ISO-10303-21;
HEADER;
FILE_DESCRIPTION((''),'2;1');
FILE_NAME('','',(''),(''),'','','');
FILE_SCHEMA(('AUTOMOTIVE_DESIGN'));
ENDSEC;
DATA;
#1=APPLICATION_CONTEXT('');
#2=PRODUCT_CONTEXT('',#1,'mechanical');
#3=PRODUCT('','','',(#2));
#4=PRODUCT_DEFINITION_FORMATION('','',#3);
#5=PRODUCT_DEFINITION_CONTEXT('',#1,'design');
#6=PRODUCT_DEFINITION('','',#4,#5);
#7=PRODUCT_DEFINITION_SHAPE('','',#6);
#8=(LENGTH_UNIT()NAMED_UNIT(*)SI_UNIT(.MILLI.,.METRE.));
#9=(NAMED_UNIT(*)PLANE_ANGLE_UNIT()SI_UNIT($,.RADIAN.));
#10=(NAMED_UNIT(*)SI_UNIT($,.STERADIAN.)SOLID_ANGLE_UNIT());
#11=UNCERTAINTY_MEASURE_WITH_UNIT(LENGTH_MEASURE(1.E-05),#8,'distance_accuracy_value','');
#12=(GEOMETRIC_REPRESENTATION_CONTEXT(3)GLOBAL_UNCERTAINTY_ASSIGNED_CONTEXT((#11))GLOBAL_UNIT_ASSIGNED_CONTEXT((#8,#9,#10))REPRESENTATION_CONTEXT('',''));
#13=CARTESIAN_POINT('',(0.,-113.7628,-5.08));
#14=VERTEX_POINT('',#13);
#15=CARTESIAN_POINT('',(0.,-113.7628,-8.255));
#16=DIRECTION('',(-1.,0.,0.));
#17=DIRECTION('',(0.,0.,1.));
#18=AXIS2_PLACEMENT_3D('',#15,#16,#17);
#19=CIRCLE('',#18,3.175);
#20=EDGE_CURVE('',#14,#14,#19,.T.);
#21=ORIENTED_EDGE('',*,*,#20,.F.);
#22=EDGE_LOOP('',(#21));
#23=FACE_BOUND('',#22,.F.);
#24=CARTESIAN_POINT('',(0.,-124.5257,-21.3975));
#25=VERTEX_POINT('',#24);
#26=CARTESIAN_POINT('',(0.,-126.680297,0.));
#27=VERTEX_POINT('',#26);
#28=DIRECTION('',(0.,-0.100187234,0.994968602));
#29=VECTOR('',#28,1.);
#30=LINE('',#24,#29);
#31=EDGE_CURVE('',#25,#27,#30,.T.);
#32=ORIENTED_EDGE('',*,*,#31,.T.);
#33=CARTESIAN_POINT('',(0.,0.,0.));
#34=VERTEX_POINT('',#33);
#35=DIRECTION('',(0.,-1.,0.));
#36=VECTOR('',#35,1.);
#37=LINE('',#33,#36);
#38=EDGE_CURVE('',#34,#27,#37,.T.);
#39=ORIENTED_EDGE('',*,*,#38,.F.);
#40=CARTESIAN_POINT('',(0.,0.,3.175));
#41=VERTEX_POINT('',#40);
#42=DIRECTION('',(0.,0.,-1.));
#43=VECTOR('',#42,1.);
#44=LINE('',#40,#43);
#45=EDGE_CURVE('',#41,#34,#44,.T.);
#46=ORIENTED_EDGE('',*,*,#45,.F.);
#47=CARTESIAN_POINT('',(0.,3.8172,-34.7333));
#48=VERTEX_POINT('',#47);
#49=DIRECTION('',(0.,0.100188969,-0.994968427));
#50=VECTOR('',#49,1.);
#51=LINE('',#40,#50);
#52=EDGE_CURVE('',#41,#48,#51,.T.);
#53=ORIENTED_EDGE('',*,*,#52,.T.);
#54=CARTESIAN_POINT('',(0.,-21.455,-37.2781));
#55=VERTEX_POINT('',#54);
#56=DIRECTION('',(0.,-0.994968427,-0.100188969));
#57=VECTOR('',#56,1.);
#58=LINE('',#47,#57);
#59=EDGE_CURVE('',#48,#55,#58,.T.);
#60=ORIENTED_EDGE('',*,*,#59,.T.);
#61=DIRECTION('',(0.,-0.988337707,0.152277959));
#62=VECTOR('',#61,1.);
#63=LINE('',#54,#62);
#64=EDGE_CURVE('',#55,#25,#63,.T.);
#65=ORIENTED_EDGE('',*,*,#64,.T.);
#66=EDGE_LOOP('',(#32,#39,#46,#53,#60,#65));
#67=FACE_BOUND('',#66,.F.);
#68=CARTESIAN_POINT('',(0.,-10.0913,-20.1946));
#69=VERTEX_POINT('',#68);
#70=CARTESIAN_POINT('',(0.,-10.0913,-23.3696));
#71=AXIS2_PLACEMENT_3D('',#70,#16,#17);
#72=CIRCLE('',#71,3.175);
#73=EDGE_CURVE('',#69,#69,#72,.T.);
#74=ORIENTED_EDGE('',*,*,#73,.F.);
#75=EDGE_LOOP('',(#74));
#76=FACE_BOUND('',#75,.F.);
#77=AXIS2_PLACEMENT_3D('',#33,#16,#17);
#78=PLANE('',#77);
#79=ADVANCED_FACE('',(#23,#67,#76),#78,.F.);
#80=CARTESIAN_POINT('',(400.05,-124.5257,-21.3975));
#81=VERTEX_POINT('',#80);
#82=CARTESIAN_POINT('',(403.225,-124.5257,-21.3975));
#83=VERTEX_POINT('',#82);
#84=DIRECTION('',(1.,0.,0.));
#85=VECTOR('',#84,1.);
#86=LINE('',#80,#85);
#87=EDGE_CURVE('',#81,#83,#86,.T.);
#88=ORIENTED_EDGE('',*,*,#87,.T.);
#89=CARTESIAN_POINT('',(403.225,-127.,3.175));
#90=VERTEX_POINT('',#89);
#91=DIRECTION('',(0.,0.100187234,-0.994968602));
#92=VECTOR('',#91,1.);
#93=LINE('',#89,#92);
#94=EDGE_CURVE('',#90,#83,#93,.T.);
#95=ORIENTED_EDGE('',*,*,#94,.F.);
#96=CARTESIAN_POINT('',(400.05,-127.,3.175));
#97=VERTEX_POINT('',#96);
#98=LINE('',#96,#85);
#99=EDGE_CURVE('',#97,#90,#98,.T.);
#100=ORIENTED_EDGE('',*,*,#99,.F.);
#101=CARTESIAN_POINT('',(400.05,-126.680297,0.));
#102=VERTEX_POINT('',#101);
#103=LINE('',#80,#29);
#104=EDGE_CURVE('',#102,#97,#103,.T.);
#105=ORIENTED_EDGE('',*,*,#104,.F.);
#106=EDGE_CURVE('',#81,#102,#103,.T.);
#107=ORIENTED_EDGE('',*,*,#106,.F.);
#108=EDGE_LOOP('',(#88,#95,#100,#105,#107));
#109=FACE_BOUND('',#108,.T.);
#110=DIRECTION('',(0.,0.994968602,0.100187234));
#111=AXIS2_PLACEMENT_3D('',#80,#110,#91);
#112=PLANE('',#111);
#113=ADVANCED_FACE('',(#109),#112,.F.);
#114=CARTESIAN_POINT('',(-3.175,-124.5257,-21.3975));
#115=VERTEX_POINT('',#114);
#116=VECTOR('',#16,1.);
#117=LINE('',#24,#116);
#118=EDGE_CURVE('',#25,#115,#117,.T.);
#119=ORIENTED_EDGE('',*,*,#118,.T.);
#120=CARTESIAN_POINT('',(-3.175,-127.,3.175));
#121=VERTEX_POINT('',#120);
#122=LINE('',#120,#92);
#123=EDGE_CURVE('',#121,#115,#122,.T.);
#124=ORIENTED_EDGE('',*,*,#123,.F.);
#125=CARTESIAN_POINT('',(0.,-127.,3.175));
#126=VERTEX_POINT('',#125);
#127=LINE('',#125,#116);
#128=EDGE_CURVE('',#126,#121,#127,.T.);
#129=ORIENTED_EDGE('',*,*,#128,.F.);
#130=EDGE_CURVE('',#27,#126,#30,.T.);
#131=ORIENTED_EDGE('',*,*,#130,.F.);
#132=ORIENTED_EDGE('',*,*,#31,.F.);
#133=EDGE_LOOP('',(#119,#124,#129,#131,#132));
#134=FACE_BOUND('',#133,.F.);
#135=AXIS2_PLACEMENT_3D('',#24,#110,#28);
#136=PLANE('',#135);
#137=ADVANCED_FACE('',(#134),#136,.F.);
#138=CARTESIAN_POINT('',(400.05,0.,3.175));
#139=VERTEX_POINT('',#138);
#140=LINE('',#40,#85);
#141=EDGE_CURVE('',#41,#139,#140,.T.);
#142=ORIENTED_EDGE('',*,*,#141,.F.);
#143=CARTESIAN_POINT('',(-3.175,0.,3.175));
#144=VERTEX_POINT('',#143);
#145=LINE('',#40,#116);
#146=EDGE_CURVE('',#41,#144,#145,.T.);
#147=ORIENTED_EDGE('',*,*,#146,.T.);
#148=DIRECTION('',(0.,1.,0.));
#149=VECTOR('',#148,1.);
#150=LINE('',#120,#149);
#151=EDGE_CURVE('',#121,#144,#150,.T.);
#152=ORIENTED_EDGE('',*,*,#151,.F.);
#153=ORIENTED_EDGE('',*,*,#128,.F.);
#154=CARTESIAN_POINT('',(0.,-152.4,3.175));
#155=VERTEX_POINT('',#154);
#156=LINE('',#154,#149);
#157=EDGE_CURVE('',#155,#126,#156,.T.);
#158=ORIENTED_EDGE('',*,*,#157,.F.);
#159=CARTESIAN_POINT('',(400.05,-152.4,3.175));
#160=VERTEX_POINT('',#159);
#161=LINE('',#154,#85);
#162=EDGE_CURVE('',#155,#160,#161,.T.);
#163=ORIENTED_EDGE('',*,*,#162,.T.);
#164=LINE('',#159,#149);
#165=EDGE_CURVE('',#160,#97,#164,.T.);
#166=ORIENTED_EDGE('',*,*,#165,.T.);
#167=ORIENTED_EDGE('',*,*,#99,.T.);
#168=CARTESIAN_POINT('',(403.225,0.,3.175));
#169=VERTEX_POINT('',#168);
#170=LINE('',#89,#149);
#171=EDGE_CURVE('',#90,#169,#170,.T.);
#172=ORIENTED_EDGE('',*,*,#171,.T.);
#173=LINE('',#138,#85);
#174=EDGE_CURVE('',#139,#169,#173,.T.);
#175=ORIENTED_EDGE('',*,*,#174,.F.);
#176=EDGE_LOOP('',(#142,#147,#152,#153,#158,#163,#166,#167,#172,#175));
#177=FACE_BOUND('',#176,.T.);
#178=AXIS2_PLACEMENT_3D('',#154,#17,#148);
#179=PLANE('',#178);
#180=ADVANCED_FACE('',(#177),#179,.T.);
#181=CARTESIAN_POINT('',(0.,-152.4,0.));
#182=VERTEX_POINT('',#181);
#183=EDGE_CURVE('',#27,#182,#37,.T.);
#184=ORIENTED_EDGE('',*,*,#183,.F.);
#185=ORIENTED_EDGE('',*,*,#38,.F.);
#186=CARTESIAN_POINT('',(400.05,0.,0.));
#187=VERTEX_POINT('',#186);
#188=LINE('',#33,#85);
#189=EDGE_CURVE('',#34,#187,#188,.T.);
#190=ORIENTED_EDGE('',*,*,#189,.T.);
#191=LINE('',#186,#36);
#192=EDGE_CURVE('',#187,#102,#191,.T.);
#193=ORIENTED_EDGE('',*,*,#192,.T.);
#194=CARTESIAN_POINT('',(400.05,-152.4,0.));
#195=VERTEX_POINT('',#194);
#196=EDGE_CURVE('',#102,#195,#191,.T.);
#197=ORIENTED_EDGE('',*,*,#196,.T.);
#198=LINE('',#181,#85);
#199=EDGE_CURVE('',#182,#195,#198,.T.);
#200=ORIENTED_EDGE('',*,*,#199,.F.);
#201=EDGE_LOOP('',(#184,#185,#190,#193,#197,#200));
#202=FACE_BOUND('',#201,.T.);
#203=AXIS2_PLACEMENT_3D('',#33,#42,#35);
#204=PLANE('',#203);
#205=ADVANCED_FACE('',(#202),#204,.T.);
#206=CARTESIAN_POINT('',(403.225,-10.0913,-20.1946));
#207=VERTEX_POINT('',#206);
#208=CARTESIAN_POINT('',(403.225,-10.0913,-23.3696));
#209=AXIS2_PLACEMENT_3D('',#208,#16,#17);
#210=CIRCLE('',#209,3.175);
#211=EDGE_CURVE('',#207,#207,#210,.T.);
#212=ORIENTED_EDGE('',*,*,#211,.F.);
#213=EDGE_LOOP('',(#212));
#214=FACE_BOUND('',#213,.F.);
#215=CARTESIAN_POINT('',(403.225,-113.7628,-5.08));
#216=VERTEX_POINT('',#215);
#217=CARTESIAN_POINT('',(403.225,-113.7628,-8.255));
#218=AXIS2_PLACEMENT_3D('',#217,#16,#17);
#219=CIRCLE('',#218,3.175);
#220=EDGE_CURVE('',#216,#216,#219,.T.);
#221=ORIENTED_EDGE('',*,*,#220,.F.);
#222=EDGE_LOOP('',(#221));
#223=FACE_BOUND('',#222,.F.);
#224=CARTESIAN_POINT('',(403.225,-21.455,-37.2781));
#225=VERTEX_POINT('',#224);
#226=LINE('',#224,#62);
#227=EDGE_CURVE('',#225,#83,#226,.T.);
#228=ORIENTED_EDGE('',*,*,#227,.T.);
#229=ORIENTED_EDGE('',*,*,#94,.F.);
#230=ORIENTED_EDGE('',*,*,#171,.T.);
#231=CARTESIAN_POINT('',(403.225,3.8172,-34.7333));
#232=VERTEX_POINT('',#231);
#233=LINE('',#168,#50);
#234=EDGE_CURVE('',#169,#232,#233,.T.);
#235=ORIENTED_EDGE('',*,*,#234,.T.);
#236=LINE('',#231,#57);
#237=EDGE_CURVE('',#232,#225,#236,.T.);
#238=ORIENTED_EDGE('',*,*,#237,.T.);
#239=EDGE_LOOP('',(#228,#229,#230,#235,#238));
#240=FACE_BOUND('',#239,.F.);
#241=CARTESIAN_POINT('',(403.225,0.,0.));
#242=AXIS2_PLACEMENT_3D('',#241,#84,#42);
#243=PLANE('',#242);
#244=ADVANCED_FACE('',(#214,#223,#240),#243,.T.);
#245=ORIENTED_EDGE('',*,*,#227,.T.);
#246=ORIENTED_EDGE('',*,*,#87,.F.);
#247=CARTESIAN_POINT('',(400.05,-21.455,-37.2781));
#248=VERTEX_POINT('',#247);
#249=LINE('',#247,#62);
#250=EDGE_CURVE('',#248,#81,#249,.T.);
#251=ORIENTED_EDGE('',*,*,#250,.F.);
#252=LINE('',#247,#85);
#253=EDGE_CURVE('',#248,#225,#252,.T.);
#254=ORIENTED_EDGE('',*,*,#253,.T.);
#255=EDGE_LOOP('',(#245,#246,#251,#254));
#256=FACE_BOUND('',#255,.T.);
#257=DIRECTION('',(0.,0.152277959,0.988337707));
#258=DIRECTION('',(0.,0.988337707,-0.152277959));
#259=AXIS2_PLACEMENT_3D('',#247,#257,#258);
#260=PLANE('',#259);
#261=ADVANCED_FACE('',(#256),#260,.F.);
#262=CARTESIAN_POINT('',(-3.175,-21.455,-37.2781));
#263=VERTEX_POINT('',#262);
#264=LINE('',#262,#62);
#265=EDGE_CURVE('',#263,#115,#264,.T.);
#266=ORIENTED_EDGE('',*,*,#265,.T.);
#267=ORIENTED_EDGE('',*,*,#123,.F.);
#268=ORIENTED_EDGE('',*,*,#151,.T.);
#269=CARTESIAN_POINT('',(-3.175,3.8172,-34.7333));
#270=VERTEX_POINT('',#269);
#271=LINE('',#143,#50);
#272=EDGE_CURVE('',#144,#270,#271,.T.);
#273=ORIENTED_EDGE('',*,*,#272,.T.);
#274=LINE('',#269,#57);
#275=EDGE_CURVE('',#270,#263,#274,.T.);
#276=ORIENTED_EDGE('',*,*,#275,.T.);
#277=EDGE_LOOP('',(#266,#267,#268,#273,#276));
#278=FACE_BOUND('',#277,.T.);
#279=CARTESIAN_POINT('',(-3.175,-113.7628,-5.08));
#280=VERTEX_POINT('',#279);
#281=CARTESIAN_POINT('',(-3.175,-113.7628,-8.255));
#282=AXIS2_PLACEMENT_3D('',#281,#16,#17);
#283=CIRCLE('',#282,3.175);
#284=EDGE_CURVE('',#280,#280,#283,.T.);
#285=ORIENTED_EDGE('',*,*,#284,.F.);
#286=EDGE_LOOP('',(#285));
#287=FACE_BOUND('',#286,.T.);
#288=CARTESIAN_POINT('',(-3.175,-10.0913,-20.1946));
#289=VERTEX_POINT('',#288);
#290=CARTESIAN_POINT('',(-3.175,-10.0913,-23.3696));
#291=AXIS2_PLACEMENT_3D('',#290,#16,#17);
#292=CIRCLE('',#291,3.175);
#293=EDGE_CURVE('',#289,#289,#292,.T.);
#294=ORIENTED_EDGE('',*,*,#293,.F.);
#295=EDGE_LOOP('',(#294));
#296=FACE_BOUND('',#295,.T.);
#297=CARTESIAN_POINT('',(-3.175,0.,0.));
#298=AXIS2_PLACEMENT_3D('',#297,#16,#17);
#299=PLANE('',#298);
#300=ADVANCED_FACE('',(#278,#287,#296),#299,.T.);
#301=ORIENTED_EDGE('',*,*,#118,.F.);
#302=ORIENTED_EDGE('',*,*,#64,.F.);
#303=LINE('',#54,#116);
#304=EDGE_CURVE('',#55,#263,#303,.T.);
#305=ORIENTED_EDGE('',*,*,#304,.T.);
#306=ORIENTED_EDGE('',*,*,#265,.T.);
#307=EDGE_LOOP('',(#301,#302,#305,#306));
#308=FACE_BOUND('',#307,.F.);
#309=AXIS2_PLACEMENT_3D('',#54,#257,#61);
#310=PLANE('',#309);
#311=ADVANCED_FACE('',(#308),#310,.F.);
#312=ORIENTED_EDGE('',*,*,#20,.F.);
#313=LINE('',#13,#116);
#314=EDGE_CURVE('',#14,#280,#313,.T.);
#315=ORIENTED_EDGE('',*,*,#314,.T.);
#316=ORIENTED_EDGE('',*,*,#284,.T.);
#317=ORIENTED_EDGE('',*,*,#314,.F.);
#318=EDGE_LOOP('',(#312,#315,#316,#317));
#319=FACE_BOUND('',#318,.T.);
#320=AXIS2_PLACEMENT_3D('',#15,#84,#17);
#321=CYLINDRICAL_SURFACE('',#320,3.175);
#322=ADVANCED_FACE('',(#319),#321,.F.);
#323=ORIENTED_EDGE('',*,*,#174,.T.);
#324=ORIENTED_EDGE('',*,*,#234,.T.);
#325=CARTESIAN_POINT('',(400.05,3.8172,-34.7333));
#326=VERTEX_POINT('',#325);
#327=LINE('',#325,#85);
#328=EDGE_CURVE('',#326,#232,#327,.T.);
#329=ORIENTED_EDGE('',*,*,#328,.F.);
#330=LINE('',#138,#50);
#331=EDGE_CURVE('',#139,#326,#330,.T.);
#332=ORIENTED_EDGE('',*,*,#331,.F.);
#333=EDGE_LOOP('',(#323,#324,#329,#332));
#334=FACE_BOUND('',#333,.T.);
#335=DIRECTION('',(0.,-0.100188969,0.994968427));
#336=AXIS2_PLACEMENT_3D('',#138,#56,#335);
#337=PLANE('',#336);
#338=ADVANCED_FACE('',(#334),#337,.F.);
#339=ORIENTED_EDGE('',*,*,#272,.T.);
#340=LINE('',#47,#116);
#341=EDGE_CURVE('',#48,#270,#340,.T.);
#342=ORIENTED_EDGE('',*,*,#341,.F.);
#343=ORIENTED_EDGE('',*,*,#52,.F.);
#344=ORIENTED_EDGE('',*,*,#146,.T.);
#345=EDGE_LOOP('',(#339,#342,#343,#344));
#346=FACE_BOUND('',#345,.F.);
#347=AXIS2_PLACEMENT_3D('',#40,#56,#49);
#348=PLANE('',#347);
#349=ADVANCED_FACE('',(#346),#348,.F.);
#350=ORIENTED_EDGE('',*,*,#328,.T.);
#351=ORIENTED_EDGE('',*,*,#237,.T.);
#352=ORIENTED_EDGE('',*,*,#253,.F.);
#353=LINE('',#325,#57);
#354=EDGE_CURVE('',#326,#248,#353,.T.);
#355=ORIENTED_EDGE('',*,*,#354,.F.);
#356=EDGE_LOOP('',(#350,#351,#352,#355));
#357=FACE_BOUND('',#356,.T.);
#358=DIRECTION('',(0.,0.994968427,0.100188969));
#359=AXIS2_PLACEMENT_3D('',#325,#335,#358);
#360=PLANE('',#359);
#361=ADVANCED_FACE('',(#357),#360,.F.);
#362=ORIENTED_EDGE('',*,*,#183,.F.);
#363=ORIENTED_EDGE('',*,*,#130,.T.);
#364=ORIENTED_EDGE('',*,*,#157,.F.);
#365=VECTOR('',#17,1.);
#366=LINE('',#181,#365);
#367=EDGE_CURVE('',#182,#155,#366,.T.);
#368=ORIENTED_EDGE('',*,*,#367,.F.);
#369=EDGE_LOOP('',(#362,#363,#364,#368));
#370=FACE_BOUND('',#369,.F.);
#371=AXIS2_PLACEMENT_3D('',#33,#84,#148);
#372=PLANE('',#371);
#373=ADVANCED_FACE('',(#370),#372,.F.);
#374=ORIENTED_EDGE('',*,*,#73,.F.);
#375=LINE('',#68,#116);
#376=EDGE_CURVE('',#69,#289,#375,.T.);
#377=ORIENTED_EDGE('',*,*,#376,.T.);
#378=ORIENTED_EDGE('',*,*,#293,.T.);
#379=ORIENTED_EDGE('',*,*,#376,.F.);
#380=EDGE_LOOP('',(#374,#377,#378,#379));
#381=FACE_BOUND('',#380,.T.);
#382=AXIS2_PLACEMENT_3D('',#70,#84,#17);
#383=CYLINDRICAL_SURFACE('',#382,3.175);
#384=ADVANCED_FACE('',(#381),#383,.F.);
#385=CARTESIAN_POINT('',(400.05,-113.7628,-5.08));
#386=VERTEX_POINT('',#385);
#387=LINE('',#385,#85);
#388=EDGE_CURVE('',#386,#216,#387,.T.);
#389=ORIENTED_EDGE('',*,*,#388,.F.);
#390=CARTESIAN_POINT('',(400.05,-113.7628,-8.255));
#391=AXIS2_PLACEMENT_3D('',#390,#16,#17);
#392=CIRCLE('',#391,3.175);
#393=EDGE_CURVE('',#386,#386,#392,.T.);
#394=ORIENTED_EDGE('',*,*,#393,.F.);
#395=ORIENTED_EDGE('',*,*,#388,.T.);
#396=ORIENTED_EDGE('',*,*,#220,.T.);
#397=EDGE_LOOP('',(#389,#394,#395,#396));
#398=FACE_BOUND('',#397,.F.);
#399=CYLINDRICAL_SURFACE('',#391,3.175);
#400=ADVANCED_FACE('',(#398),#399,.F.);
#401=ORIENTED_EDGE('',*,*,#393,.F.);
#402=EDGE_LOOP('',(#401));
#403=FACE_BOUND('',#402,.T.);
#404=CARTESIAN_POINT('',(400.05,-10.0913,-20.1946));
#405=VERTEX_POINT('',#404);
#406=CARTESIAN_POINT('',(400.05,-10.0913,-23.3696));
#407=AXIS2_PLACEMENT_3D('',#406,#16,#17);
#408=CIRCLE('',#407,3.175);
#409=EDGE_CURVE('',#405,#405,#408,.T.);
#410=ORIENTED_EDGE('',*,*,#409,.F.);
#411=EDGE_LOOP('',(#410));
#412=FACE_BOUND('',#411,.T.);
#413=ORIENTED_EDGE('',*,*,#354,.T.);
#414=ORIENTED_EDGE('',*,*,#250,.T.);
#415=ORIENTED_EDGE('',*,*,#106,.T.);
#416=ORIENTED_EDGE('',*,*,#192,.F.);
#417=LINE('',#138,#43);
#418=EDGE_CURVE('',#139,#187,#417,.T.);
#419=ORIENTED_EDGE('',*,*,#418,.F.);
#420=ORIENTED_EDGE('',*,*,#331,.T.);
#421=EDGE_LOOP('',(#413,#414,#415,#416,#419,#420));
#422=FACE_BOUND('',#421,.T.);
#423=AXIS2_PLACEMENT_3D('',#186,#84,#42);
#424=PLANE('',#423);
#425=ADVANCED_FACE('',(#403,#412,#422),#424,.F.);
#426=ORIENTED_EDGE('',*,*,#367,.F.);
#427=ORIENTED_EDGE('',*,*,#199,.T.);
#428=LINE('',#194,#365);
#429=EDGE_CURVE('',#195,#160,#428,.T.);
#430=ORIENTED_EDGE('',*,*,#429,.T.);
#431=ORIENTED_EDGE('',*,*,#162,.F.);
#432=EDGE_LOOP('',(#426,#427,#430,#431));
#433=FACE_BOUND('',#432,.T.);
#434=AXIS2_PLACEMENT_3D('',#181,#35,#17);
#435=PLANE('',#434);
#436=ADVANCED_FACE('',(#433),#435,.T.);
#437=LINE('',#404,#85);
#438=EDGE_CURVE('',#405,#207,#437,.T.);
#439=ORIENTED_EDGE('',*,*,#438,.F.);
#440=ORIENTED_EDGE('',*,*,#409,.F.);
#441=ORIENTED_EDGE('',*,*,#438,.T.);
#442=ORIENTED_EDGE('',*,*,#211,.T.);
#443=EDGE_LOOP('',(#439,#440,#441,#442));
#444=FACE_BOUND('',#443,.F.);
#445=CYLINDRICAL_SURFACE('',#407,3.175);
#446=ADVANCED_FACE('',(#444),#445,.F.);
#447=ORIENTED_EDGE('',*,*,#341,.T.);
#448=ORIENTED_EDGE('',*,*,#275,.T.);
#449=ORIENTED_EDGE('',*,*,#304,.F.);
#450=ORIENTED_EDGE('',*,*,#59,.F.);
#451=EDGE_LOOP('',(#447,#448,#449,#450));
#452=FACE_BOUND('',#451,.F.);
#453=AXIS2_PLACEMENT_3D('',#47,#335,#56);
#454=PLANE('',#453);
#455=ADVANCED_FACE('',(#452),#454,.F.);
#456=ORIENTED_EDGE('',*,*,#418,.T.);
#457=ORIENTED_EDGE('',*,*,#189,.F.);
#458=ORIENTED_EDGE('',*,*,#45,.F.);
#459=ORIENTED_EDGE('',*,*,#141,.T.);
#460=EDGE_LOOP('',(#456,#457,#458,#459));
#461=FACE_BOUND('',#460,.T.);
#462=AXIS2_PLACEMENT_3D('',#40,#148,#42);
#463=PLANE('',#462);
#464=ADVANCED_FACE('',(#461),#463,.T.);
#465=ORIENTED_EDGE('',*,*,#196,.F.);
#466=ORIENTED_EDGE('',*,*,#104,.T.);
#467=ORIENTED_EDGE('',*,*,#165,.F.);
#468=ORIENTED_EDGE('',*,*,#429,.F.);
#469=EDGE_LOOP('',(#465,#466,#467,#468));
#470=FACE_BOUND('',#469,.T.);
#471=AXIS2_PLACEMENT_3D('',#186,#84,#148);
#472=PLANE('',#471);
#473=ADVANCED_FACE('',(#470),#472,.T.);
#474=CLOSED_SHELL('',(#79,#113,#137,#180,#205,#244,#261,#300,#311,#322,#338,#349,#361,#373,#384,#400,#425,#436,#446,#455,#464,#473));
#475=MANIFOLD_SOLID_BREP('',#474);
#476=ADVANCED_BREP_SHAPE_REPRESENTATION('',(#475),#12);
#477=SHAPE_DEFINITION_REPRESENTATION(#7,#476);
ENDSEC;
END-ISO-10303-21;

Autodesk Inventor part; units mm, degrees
ref_plane "YZ Plane" through (0, 0, 0) normal (1, 0, 0) x (0, 1, 0)
ref_plane "XZ Plane" through (0, 0, 0) normal (0, 1, 0) x (-1, 0, 0)
ref_plane "XY Plane" through (0, 0, 0) normal (0, 0, 1) x (1, 0, 0)
sketch "Sketch1" plane through (0, 0, 0) normal (1, 0, 0) x (0, 1, 0)
  line L0 (0, 0) -> (-152.4, 0)
  line L1 (-152.4, 0) -> (-152.4, 3.175)
  line L2 (-152.4, 3.175) -> (0, 3.175)
  line L3 (0, 3.175) -> (0, 0)
  dimension "d0" = 152.4
  dimension "d1" = 3.175
extrude "Extrusion1" add sketch "Sketch1" along normal blind 400.05
sketch "Sketch2" plane through (0, 0, 0) normal (-1, 0, 0) x (0, 0, 1)
  line L0 (0, 0) -> (3.175, 0) projected
  line L1 (3.175, 0) -> (-34.7333, 3.8172)
  line L2 (-34.7333, 3.8172) -> (-37.2781, -21.455)
  line L3 (-37.2781, -21.455) -> (-21.3975, -124.5257)
  line L4 (-21.3975, -124.5257) -> (3.175, -127)
  line L5 (3.175, -127) -> (3.175, 0)
  line L6 (0, -152.4) -> (0, 0) projected
  circle A0 centre (-8.255, -113.7628) radius 3.175
  line L7 (-21.3975, -124.5257) -> (3.175, -120.7397) construction
  line L8 (3.175, 0) -> (3.175, -152.4) projected
  circle A1 centre (-23.3696, -10.0913) radius 3.175
  dimension "d4" = 25.4
  dimension "d5" = 95.75
  dimension "d6" = 38.1
  dimension "d7" = 127
  dimension "d8" = 104.2869
  dimension "d9" = 6.35
  dimension "d11" = 11.43
  dimension "d12" = 8.636
  dimension "d15" = 12.7
  dimension "d16" = 6.35
  dimension "d17" = 12.7
extrude "Extrusion3" add sketch "Sketch2" along normal blind 3.175
ref_plane "Work Plane1" through (200.025, 0, 0) normal (-1, 0, 0) x (0, 0, 1)
mirror "Mirror1" about plane through (200.025, 0, 0) normal (-1, 0, 0) of "Extrusion3"
properties part number "15102898-16-P-0215" material "Aluminum 6061"
